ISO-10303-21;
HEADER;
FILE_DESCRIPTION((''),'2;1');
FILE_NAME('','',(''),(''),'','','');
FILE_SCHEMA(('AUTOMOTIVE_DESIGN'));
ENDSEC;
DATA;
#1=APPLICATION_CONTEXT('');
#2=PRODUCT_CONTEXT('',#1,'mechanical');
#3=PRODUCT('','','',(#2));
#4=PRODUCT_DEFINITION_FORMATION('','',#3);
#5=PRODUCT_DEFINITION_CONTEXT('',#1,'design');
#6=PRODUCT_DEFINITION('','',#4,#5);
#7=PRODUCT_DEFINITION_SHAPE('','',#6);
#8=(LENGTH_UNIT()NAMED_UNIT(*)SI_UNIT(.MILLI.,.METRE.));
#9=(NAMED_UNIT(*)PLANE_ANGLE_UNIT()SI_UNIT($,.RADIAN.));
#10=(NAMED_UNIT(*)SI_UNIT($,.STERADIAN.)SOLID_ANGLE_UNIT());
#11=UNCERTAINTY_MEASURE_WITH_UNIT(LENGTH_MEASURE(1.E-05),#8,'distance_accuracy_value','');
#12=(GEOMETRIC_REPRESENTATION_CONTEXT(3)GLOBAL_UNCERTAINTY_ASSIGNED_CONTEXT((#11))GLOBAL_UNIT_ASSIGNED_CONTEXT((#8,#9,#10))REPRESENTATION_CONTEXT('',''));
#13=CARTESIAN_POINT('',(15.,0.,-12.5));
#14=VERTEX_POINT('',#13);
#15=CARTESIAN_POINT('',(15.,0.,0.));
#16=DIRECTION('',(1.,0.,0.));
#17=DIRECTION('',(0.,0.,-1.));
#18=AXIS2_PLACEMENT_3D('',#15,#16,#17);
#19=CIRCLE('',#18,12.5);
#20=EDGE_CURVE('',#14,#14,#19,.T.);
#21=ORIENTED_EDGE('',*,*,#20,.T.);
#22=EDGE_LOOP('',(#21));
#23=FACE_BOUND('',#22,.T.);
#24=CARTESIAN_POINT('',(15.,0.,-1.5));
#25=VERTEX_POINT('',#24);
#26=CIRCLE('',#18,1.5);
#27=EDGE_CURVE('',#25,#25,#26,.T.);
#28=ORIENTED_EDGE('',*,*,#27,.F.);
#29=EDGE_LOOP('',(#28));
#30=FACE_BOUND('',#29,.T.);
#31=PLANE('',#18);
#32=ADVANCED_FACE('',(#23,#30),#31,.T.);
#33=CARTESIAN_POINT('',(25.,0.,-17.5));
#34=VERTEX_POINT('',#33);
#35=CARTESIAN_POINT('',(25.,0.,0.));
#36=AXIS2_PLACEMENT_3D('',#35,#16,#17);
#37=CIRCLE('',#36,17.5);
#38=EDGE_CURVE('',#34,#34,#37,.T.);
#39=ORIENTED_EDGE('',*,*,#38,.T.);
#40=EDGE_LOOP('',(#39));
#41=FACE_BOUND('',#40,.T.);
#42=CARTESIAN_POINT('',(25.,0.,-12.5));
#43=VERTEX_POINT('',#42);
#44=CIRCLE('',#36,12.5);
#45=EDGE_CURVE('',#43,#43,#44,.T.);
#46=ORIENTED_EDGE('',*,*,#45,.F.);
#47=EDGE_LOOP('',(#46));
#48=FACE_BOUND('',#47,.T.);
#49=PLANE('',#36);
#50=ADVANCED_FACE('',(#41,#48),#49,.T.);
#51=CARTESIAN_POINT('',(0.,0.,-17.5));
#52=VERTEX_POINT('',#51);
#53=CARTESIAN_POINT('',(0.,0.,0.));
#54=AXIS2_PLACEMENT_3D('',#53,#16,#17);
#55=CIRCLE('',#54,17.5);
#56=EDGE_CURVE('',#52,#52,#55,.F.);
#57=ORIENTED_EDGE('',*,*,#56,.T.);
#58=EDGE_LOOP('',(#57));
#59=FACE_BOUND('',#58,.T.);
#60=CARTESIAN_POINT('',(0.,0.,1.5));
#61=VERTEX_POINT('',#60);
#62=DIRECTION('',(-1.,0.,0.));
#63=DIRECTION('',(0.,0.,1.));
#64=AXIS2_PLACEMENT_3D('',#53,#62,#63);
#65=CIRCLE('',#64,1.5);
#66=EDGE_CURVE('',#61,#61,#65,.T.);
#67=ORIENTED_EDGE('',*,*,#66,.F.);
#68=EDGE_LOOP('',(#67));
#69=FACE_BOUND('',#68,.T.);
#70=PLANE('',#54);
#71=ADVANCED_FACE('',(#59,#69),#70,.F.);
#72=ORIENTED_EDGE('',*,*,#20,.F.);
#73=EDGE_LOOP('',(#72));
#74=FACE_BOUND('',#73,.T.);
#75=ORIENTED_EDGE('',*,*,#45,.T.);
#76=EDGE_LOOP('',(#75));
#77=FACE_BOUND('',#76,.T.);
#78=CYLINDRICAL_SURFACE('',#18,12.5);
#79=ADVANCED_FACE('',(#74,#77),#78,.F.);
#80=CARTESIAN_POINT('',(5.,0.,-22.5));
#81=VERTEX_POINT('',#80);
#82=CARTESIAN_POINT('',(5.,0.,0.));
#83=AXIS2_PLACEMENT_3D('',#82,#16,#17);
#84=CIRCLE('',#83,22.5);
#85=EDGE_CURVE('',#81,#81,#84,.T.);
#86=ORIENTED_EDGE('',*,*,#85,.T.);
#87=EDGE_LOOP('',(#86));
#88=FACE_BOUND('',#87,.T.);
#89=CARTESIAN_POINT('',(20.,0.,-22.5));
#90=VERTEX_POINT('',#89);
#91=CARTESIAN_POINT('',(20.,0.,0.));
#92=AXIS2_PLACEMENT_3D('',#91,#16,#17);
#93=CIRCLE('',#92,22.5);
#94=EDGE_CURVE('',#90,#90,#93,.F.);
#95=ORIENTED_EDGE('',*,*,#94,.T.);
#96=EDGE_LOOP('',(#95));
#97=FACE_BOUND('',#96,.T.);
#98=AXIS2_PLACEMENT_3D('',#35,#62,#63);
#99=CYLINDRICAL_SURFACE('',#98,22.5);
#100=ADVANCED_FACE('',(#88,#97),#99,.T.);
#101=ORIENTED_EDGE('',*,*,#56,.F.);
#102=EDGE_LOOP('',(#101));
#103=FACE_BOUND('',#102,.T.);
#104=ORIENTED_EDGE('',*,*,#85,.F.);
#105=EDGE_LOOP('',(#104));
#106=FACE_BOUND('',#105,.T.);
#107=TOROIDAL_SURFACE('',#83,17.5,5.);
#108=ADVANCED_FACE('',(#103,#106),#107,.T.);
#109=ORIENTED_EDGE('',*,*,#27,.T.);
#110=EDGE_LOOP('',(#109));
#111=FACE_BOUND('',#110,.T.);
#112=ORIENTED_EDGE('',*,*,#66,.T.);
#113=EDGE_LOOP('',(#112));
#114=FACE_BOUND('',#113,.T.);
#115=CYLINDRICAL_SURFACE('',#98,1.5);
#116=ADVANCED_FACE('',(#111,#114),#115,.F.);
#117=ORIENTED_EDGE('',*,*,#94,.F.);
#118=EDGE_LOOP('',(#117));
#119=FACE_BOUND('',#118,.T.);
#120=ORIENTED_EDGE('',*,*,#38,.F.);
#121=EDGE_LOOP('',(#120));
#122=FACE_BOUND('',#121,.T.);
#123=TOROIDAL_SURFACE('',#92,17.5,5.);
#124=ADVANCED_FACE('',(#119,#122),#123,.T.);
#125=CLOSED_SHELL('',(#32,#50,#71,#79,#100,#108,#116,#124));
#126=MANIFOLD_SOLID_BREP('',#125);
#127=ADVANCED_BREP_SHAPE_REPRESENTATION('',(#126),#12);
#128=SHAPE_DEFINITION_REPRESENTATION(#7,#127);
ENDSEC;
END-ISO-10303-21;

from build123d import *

# Parameters (mm, degrees)
SKETCH1_R           = 22.5
BOSS_EXTRUDE1_DEPTH = 25
SKETCH2_R           = 12.5
CUT_EXTRUDE1_DEPTH  = 10
FILLET1_R           = 5
SKETCH3_R           = 1.5
CUT_EXTRUDE2_DEPTH  = 41.466035196


with BuildPart() as part:
    # Sketch1 → Boss-Extrude1 (new body)
    with BuildSketch(Plane(origin=(0, 0, 0), x_dir=(0, 0, -1), z_dir=(1, 0, 0))):
        Circle(SKETCH1_R)
    extrude(amount=BOSS_EXTRUDE1_DEPTH)

    # Sketch2 → Cut-Extrude1 (cut)
    with BuildSketch(Plane(origin=(25, 0, 0), x_dir=(0, 0, -1), z_dir=(1, 0, 0))):
        Circle(SKETCH2_R)
    extrude(amount=-CUT_EXTRUDE1_DEPTH, mode=Mode.SUBTRACT)

    # Fillet1
    fillet1_edges = [part.edges().sort_by_distance(p)[0] for p in [
        (0, 0, 22.5),
        (25, 0, 22.5),
    ]]
    fillet(fillet1_edges, radius=FILLET1_R)

    # Sketch3 → Cut-Extrude2 (cut, through all)
    with BuildSketch(Plane.ZY):
        Circle(SKETCH3_R)
    extrude(amount=-CUT_EXTRUDE2_DEPTH, mode=Mode.SUBTRACT)


solid = part.part
